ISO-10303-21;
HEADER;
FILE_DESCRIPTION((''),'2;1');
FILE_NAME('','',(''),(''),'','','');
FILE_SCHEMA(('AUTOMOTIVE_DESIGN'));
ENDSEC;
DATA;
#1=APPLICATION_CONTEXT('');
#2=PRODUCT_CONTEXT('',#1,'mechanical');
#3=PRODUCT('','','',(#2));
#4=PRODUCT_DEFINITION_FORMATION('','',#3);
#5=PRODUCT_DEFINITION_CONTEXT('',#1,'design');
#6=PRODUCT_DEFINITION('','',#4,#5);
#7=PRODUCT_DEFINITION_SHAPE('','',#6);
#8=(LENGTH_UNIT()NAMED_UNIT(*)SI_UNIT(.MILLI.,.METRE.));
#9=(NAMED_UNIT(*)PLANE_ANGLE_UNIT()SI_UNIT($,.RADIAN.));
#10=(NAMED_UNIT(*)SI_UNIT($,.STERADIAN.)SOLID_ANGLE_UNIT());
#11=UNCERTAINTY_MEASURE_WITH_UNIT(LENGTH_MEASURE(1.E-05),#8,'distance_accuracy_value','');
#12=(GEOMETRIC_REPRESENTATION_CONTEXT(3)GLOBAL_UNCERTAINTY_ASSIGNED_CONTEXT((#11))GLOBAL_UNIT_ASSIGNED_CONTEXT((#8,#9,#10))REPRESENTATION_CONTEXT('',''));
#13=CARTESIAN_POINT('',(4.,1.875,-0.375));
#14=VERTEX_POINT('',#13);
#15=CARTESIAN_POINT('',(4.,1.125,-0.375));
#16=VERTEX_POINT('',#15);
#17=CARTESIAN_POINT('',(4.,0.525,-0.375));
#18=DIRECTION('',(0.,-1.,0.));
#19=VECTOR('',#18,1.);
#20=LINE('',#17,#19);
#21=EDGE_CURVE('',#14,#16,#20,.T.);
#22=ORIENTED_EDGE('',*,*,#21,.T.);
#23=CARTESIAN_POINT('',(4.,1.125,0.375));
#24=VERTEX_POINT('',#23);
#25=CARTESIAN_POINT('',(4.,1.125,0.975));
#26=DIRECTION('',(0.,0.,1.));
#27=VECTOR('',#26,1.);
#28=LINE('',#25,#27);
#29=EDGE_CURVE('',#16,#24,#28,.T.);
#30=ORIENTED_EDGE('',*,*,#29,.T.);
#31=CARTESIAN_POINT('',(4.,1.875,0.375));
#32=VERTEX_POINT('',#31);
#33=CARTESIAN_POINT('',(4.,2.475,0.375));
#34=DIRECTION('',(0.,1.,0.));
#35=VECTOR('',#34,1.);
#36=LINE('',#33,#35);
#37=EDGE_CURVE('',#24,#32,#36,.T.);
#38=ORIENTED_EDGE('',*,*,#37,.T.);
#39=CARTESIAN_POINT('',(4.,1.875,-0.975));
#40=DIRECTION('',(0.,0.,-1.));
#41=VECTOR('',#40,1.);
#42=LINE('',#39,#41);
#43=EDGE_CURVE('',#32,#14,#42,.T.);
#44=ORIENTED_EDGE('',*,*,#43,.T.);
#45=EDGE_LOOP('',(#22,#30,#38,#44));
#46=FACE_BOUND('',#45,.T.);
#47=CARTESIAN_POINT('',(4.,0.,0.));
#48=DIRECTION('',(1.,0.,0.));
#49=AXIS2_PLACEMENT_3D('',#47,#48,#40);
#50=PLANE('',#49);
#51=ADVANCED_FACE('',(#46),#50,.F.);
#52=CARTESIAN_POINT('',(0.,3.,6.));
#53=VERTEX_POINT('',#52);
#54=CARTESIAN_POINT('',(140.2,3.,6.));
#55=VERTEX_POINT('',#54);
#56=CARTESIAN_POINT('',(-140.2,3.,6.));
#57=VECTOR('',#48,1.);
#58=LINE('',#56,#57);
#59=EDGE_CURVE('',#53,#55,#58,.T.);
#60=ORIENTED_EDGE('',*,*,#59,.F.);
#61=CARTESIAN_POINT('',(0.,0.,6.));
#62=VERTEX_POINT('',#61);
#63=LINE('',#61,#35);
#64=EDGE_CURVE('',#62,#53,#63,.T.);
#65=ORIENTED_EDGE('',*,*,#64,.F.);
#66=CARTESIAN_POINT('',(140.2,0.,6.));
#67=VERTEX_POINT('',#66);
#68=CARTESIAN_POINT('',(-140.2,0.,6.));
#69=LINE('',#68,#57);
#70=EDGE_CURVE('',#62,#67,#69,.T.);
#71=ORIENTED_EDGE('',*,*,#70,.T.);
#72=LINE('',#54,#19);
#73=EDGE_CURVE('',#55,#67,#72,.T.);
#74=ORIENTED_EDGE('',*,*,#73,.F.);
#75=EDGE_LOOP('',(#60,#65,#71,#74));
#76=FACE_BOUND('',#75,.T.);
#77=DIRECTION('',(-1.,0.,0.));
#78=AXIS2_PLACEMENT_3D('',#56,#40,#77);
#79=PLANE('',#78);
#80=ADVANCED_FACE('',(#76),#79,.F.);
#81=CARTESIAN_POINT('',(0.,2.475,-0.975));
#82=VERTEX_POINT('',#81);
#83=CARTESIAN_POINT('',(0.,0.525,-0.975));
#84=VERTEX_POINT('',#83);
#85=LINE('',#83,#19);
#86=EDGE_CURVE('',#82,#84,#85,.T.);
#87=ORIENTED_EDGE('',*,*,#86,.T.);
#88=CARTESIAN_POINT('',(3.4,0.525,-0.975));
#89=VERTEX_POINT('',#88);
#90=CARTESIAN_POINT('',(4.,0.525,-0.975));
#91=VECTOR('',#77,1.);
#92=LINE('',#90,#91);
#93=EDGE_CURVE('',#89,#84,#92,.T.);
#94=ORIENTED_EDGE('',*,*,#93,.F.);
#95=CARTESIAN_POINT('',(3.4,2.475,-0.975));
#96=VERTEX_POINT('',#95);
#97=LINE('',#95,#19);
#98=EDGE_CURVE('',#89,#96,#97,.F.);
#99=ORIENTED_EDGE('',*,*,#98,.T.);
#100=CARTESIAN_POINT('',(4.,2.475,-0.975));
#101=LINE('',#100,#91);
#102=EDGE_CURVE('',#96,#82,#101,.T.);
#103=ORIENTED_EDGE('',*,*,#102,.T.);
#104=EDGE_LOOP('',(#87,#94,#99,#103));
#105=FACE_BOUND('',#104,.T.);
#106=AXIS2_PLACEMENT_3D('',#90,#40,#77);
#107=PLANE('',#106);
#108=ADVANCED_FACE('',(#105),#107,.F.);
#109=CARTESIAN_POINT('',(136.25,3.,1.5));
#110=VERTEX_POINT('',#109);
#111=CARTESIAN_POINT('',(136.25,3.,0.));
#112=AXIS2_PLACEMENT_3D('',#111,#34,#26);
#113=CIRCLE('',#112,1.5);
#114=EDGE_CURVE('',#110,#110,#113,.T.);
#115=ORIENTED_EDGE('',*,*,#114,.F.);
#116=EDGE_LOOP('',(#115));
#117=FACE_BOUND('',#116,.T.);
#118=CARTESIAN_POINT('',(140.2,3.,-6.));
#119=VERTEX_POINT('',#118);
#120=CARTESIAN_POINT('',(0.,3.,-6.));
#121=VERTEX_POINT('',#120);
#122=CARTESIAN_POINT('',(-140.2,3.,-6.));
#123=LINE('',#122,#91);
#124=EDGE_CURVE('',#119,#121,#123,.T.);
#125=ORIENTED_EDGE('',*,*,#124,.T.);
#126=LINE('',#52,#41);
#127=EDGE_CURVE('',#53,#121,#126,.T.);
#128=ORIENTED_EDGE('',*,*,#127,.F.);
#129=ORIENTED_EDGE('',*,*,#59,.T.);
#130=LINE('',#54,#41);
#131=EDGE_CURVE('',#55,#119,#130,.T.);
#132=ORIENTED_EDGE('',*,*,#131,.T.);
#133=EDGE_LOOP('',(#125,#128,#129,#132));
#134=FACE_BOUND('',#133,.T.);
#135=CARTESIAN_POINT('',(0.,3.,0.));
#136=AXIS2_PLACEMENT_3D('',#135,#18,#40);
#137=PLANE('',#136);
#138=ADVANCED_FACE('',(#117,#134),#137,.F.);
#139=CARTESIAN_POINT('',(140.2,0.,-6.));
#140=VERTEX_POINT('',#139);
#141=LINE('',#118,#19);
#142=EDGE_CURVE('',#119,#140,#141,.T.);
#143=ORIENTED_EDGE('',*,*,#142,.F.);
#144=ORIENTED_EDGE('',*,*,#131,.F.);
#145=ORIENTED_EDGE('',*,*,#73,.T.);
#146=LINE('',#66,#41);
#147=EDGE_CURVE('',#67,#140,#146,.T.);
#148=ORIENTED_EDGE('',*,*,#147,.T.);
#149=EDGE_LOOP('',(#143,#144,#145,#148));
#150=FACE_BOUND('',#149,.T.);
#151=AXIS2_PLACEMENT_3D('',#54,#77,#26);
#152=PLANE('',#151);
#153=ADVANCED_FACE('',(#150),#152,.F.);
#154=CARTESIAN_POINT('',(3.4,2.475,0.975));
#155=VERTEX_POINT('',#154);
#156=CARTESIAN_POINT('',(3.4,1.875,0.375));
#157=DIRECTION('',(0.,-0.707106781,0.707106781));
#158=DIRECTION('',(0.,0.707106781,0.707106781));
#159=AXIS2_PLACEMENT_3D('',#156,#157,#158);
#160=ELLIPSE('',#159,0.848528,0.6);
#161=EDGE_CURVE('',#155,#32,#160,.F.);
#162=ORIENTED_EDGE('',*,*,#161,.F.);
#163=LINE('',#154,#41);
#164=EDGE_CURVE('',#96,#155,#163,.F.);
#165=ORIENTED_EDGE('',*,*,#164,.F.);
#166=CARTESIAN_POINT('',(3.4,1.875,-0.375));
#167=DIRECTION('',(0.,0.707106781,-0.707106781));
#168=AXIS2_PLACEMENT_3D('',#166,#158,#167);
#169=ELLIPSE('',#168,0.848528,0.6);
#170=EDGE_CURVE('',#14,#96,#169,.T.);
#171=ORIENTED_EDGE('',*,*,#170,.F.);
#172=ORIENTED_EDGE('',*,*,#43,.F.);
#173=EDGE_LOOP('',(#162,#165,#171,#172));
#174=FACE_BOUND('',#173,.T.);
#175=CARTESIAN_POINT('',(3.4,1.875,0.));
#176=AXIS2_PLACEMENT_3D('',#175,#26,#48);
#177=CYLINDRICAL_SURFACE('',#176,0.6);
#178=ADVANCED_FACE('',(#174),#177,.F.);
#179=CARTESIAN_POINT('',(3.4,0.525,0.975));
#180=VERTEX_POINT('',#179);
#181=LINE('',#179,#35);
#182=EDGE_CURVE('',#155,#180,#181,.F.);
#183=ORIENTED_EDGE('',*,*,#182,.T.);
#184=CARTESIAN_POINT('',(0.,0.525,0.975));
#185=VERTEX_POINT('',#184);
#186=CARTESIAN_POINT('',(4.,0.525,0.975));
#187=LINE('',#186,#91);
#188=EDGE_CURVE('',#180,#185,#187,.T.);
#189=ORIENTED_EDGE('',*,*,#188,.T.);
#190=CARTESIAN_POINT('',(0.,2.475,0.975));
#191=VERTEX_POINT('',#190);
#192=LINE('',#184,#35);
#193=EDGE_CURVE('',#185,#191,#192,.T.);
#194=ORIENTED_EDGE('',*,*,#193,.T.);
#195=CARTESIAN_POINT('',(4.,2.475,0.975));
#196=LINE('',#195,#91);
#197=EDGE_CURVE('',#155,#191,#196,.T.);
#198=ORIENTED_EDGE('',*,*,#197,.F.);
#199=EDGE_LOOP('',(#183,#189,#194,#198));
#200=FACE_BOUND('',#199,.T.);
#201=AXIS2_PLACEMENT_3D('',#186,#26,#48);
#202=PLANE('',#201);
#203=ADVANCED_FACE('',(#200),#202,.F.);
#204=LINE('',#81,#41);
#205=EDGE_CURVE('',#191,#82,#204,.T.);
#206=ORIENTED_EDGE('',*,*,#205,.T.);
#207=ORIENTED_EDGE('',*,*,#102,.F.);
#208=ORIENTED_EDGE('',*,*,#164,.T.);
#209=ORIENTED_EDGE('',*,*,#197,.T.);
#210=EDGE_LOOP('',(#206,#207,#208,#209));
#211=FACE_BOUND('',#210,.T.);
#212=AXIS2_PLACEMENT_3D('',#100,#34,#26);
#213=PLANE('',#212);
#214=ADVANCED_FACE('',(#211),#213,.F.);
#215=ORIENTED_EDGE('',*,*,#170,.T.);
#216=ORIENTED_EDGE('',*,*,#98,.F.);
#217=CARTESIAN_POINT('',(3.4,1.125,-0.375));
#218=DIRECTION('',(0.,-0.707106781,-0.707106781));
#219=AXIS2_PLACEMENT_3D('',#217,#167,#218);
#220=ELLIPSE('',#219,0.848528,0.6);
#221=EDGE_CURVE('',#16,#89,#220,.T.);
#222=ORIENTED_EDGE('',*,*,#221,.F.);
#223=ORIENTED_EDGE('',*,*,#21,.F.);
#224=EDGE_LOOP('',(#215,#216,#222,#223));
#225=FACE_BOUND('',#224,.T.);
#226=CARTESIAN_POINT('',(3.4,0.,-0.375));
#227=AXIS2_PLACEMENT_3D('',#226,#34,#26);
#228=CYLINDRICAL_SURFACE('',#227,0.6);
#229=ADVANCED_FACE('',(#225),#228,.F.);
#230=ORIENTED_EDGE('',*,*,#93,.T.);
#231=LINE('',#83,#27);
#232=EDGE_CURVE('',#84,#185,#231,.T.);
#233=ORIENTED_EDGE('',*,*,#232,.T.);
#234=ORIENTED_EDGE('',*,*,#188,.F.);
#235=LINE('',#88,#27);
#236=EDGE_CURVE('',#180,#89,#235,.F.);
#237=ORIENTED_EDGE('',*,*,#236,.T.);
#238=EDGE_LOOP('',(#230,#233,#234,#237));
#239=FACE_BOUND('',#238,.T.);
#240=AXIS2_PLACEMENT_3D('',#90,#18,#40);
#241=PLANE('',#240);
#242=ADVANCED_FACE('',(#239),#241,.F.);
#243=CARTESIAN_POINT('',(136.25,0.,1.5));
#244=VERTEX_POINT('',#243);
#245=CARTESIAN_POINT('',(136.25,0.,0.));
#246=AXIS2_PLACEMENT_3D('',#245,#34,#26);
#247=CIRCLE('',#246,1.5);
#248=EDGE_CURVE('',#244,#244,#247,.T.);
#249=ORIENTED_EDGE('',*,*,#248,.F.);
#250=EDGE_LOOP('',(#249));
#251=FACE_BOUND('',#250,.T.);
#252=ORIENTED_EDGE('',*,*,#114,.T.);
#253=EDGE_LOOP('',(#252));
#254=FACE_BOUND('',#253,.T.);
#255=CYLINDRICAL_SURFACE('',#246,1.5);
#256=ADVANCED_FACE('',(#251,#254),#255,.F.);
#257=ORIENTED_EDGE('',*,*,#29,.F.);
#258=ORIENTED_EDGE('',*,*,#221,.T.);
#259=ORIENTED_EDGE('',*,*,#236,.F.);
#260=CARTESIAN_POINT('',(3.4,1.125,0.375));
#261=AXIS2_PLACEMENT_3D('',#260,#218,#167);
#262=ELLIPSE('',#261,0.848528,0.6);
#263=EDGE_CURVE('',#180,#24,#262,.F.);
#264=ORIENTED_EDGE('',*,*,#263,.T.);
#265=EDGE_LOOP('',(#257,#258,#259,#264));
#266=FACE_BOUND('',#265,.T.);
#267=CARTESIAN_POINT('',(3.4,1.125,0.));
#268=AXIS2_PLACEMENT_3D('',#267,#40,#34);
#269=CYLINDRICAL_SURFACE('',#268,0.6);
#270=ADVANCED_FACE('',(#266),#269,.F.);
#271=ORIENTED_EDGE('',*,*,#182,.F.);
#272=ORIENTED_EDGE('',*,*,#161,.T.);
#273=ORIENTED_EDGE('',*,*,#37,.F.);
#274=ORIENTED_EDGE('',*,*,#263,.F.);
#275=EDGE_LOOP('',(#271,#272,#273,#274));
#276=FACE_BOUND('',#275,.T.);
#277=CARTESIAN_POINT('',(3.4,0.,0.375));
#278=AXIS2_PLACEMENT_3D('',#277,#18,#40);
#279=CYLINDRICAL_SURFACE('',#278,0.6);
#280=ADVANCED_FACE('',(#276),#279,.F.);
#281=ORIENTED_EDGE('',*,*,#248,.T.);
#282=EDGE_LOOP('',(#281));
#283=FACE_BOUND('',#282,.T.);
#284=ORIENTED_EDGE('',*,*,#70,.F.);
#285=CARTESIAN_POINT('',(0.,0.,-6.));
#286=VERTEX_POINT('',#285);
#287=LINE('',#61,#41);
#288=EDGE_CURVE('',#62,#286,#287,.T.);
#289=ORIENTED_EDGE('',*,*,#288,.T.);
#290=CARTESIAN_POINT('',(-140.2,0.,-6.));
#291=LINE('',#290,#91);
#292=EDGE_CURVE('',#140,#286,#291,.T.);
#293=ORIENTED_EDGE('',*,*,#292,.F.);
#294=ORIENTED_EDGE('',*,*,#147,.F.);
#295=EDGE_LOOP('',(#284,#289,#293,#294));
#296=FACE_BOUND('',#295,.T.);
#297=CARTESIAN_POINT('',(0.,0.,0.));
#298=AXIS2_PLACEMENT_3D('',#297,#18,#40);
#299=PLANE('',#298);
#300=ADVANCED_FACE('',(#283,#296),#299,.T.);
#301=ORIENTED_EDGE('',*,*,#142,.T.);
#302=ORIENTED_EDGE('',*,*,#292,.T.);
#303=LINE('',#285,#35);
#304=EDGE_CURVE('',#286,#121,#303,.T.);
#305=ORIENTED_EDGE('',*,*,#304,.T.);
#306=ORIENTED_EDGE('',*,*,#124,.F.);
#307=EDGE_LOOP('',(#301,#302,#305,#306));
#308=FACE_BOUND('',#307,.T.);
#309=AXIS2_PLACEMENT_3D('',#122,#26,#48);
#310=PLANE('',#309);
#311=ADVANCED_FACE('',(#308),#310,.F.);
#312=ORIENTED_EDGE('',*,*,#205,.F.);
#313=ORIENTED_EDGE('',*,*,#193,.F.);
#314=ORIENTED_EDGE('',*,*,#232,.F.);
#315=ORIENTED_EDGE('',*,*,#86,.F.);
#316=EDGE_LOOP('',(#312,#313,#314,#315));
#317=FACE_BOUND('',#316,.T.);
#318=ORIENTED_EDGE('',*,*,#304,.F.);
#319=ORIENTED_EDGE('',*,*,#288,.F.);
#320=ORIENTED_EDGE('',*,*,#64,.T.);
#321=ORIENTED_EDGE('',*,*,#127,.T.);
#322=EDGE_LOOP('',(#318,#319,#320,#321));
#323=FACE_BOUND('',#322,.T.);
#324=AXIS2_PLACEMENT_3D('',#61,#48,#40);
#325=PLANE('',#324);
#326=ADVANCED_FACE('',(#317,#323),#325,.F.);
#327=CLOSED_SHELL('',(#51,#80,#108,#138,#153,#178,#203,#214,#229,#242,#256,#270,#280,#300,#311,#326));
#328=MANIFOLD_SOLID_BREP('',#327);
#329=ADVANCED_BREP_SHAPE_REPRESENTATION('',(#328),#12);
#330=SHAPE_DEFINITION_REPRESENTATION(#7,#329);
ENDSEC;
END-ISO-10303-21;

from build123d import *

# Parameters (mm, degrees)
SKETCH1_W           = 280.4
SKETCH1_H           = 12
BOSS_EXTRUDE1_DEPTH = 3
SKETCH3_R           = 1.5
CUT_EXTRUDE1_DEPTH  = 141.360393274
SKETCH6_W           = 140.2
SKETCH6_H           = 12
CUT_EXTRUDE2_DEPTH  = 141.360393274
SKETCH7_W           = 1.95
SKETCH7_H           = 1.95
CUT_EXTRUDE3_DEPTH  = 4
FILLET1_R           = 0.6


with BuildPart() as part:
    # Sketch1 → Boss-Extrude1 (new body)
    with BuildSketch(Plane(origin=(0, 0, 0), x_dir=(1, 0, 0), z_dir=(0, 1, 0))):
        Rectangle(SKETCH1_W, SKETCH1_H)
    extrude(amount=BOSS_EXTRUDE1_DEPTH)

    # Sketch3 → Cut-Extrude1 (cut, through all)
    with BuildSketch(Plane(origin=(0, 3, 0), x_dir=(1, 0, 0), z_dir=(0, 1, 0))):
        with Locations(Location((-136.25, 0, 0), (0, 0, 270))):
            Circle(SKETCH3_R)
        with Locations(Location((136.25, 0, 0), (0, 0, 270))):
            Circle(SKETCH3_R)
    extrude(amount=-CUT_EXTRUDE1_DEPTH, mode=Mode.SUBTRACT)

    # Sketch6 → Cut-Extrude2 (cut, through all)
    with BuildSketch(Plane(origin=(0, 3, 0), x_dir=(1, 0, 0), z_dir=(0, 1, 0))):
        with Locations((-70.1, 0)):
            Rectangle(SKETCH6_W, SKETCH6_H)
    extrude(amount=-CUT_EXTRUDE2_DEPTH, mode=Mode.SUBTRACT)

    # Sketch7 → Cut-Extrude3 (cut)
    with BuildSketch(Plane.ZY):
        with Locations((0, 1.5)):
            Rectangle(SKETCH7_W, SKETCH7_H)
    extrude(amount=-CUT_EXTRUDE3_DEPTH, mode=Mode.SUBTRACT)

    # Fillet1
    fillet1_edges = [part.edges().sort_by_distance(p)[0] for p in [
        (4, 1.5, 0.975),
        (4, 0.525, 0),
        (4, 1.5, -0.975),
        (4, 2.475, 0),
    ]]
    fillet(fillet1_edges, radius=FILLET1_R)


solid = part.part
